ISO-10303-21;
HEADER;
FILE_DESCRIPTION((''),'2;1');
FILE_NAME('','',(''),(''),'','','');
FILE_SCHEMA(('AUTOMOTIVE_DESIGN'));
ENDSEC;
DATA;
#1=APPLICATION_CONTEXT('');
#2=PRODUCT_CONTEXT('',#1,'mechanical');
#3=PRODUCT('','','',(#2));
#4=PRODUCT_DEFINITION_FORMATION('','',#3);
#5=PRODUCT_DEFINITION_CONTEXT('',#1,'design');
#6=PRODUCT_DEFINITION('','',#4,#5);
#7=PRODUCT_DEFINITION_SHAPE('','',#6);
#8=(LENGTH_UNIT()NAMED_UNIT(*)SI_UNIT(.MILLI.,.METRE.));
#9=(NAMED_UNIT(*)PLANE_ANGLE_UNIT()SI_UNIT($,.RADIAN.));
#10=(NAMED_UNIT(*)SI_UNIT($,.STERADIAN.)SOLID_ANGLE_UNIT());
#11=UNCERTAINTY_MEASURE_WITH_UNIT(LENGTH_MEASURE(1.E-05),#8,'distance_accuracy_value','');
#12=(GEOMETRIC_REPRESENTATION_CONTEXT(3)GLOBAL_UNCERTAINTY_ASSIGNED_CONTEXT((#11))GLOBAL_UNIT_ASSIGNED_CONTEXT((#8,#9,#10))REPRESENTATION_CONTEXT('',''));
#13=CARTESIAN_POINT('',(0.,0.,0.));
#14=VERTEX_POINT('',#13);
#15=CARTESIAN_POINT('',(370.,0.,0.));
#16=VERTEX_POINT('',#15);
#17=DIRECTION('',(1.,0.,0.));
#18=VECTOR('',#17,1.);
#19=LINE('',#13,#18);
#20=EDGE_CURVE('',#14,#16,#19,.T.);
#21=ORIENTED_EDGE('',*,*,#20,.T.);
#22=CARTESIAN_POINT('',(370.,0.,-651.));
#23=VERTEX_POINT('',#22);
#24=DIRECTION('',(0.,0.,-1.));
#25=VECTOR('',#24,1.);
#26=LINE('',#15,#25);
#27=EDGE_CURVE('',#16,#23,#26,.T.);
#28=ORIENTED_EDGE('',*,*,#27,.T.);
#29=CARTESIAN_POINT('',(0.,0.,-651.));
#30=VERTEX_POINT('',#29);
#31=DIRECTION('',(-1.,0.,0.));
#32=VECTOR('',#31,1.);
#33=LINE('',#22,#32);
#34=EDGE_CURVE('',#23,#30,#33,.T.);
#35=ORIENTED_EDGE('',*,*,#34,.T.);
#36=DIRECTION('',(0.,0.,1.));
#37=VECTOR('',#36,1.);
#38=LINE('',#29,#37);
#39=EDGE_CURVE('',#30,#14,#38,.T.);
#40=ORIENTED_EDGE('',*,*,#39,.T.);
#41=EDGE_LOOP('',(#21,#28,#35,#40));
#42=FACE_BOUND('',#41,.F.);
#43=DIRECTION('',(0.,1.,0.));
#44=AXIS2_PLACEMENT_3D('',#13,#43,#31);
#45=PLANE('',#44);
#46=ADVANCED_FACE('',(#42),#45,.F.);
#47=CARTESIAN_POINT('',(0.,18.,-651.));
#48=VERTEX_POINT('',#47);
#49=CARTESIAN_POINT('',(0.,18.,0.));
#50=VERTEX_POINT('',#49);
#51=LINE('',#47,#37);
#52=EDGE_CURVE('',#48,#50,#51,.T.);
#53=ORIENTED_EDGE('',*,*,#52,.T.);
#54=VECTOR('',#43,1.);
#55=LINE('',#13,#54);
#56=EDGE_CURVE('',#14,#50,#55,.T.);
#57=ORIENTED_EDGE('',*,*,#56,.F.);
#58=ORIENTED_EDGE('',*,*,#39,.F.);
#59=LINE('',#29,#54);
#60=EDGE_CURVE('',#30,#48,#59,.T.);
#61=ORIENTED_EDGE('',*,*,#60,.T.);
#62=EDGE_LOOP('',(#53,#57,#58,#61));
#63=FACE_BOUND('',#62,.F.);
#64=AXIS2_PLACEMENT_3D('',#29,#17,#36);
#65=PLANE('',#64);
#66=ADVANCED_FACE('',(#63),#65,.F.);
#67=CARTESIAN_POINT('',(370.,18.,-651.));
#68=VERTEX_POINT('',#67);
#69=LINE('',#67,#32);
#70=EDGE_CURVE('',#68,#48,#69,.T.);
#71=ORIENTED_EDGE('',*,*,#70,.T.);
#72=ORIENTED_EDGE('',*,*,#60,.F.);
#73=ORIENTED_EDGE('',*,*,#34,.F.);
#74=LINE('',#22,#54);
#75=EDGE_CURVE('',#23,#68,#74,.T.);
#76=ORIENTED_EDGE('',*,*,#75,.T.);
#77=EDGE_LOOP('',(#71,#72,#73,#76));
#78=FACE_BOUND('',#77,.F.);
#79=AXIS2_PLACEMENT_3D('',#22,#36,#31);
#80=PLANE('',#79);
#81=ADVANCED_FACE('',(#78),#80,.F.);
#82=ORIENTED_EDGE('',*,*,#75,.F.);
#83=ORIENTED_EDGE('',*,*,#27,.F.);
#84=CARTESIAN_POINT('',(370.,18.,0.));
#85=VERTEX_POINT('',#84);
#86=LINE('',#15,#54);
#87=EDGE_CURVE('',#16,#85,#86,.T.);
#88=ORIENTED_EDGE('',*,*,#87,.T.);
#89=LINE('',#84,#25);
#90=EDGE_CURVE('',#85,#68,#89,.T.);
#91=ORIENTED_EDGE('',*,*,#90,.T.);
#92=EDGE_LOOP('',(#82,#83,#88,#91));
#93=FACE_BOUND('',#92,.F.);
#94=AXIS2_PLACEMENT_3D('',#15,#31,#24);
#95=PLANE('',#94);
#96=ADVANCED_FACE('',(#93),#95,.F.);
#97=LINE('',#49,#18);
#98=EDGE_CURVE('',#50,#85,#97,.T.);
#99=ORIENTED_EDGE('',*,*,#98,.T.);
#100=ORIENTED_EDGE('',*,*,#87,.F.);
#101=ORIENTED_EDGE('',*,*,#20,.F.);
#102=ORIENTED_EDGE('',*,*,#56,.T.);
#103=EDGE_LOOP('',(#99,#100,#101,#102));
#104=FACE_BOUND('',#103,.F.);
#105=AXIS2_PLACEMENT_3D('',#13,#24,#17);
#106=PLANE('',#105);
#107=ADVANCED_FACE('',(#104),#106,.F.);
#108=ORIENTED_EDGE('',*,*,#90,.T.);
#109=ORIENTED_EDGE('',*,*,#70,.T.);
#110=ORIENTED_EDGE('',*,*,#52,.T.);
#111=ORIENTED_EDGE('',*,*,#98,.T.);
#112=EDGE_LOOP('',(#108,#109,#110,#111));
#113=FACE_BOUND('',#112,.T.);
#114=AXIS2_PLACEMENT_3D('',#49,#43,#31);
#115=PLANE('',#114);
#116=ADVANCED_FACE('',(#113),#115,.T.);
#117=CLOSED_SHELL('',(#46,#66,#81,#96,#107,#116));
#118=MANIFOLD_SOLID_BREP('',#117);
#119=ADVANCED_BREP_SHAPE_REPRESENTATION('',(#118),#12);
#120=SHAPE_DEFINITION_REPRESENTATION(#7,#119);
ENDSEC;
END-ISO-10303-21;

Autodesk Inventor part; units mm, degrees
ref_plane "YZ Plane" through (0, 0, 0) normal (1, 0, 0) x (0, 1, 0)
ref_plane "XZ Plane" through (0, 0, 0) normal (0, 1, 0) x (-1, 0, 0)
ref_plane "XY Plane" through (0, 0, 0) normal (0, 0, 1) x (1, 0, 0)
sketch "Sketch3" plane through (0, 0, 0) normal (0, 1, 0) x (-1, 0, 0)
  line L0 (0, 0) -> (-370, 0)
  line L1 (-370, 0) -> (-370, -651)
  line L2 (-370, -651) -> (0, -651)
  line L3 (0, -651) -> (0, 0)
  dimension "d13" = 370
  dimension "d14" = 651
extrude "Extrusion3" add sketch "Sketch3" along normal blind 18
equation "\"d14\" = Profundidad"
equation "\"Profundidad\" = 651"
properties part number "FrenteChico" material "Wood (Birch)"
